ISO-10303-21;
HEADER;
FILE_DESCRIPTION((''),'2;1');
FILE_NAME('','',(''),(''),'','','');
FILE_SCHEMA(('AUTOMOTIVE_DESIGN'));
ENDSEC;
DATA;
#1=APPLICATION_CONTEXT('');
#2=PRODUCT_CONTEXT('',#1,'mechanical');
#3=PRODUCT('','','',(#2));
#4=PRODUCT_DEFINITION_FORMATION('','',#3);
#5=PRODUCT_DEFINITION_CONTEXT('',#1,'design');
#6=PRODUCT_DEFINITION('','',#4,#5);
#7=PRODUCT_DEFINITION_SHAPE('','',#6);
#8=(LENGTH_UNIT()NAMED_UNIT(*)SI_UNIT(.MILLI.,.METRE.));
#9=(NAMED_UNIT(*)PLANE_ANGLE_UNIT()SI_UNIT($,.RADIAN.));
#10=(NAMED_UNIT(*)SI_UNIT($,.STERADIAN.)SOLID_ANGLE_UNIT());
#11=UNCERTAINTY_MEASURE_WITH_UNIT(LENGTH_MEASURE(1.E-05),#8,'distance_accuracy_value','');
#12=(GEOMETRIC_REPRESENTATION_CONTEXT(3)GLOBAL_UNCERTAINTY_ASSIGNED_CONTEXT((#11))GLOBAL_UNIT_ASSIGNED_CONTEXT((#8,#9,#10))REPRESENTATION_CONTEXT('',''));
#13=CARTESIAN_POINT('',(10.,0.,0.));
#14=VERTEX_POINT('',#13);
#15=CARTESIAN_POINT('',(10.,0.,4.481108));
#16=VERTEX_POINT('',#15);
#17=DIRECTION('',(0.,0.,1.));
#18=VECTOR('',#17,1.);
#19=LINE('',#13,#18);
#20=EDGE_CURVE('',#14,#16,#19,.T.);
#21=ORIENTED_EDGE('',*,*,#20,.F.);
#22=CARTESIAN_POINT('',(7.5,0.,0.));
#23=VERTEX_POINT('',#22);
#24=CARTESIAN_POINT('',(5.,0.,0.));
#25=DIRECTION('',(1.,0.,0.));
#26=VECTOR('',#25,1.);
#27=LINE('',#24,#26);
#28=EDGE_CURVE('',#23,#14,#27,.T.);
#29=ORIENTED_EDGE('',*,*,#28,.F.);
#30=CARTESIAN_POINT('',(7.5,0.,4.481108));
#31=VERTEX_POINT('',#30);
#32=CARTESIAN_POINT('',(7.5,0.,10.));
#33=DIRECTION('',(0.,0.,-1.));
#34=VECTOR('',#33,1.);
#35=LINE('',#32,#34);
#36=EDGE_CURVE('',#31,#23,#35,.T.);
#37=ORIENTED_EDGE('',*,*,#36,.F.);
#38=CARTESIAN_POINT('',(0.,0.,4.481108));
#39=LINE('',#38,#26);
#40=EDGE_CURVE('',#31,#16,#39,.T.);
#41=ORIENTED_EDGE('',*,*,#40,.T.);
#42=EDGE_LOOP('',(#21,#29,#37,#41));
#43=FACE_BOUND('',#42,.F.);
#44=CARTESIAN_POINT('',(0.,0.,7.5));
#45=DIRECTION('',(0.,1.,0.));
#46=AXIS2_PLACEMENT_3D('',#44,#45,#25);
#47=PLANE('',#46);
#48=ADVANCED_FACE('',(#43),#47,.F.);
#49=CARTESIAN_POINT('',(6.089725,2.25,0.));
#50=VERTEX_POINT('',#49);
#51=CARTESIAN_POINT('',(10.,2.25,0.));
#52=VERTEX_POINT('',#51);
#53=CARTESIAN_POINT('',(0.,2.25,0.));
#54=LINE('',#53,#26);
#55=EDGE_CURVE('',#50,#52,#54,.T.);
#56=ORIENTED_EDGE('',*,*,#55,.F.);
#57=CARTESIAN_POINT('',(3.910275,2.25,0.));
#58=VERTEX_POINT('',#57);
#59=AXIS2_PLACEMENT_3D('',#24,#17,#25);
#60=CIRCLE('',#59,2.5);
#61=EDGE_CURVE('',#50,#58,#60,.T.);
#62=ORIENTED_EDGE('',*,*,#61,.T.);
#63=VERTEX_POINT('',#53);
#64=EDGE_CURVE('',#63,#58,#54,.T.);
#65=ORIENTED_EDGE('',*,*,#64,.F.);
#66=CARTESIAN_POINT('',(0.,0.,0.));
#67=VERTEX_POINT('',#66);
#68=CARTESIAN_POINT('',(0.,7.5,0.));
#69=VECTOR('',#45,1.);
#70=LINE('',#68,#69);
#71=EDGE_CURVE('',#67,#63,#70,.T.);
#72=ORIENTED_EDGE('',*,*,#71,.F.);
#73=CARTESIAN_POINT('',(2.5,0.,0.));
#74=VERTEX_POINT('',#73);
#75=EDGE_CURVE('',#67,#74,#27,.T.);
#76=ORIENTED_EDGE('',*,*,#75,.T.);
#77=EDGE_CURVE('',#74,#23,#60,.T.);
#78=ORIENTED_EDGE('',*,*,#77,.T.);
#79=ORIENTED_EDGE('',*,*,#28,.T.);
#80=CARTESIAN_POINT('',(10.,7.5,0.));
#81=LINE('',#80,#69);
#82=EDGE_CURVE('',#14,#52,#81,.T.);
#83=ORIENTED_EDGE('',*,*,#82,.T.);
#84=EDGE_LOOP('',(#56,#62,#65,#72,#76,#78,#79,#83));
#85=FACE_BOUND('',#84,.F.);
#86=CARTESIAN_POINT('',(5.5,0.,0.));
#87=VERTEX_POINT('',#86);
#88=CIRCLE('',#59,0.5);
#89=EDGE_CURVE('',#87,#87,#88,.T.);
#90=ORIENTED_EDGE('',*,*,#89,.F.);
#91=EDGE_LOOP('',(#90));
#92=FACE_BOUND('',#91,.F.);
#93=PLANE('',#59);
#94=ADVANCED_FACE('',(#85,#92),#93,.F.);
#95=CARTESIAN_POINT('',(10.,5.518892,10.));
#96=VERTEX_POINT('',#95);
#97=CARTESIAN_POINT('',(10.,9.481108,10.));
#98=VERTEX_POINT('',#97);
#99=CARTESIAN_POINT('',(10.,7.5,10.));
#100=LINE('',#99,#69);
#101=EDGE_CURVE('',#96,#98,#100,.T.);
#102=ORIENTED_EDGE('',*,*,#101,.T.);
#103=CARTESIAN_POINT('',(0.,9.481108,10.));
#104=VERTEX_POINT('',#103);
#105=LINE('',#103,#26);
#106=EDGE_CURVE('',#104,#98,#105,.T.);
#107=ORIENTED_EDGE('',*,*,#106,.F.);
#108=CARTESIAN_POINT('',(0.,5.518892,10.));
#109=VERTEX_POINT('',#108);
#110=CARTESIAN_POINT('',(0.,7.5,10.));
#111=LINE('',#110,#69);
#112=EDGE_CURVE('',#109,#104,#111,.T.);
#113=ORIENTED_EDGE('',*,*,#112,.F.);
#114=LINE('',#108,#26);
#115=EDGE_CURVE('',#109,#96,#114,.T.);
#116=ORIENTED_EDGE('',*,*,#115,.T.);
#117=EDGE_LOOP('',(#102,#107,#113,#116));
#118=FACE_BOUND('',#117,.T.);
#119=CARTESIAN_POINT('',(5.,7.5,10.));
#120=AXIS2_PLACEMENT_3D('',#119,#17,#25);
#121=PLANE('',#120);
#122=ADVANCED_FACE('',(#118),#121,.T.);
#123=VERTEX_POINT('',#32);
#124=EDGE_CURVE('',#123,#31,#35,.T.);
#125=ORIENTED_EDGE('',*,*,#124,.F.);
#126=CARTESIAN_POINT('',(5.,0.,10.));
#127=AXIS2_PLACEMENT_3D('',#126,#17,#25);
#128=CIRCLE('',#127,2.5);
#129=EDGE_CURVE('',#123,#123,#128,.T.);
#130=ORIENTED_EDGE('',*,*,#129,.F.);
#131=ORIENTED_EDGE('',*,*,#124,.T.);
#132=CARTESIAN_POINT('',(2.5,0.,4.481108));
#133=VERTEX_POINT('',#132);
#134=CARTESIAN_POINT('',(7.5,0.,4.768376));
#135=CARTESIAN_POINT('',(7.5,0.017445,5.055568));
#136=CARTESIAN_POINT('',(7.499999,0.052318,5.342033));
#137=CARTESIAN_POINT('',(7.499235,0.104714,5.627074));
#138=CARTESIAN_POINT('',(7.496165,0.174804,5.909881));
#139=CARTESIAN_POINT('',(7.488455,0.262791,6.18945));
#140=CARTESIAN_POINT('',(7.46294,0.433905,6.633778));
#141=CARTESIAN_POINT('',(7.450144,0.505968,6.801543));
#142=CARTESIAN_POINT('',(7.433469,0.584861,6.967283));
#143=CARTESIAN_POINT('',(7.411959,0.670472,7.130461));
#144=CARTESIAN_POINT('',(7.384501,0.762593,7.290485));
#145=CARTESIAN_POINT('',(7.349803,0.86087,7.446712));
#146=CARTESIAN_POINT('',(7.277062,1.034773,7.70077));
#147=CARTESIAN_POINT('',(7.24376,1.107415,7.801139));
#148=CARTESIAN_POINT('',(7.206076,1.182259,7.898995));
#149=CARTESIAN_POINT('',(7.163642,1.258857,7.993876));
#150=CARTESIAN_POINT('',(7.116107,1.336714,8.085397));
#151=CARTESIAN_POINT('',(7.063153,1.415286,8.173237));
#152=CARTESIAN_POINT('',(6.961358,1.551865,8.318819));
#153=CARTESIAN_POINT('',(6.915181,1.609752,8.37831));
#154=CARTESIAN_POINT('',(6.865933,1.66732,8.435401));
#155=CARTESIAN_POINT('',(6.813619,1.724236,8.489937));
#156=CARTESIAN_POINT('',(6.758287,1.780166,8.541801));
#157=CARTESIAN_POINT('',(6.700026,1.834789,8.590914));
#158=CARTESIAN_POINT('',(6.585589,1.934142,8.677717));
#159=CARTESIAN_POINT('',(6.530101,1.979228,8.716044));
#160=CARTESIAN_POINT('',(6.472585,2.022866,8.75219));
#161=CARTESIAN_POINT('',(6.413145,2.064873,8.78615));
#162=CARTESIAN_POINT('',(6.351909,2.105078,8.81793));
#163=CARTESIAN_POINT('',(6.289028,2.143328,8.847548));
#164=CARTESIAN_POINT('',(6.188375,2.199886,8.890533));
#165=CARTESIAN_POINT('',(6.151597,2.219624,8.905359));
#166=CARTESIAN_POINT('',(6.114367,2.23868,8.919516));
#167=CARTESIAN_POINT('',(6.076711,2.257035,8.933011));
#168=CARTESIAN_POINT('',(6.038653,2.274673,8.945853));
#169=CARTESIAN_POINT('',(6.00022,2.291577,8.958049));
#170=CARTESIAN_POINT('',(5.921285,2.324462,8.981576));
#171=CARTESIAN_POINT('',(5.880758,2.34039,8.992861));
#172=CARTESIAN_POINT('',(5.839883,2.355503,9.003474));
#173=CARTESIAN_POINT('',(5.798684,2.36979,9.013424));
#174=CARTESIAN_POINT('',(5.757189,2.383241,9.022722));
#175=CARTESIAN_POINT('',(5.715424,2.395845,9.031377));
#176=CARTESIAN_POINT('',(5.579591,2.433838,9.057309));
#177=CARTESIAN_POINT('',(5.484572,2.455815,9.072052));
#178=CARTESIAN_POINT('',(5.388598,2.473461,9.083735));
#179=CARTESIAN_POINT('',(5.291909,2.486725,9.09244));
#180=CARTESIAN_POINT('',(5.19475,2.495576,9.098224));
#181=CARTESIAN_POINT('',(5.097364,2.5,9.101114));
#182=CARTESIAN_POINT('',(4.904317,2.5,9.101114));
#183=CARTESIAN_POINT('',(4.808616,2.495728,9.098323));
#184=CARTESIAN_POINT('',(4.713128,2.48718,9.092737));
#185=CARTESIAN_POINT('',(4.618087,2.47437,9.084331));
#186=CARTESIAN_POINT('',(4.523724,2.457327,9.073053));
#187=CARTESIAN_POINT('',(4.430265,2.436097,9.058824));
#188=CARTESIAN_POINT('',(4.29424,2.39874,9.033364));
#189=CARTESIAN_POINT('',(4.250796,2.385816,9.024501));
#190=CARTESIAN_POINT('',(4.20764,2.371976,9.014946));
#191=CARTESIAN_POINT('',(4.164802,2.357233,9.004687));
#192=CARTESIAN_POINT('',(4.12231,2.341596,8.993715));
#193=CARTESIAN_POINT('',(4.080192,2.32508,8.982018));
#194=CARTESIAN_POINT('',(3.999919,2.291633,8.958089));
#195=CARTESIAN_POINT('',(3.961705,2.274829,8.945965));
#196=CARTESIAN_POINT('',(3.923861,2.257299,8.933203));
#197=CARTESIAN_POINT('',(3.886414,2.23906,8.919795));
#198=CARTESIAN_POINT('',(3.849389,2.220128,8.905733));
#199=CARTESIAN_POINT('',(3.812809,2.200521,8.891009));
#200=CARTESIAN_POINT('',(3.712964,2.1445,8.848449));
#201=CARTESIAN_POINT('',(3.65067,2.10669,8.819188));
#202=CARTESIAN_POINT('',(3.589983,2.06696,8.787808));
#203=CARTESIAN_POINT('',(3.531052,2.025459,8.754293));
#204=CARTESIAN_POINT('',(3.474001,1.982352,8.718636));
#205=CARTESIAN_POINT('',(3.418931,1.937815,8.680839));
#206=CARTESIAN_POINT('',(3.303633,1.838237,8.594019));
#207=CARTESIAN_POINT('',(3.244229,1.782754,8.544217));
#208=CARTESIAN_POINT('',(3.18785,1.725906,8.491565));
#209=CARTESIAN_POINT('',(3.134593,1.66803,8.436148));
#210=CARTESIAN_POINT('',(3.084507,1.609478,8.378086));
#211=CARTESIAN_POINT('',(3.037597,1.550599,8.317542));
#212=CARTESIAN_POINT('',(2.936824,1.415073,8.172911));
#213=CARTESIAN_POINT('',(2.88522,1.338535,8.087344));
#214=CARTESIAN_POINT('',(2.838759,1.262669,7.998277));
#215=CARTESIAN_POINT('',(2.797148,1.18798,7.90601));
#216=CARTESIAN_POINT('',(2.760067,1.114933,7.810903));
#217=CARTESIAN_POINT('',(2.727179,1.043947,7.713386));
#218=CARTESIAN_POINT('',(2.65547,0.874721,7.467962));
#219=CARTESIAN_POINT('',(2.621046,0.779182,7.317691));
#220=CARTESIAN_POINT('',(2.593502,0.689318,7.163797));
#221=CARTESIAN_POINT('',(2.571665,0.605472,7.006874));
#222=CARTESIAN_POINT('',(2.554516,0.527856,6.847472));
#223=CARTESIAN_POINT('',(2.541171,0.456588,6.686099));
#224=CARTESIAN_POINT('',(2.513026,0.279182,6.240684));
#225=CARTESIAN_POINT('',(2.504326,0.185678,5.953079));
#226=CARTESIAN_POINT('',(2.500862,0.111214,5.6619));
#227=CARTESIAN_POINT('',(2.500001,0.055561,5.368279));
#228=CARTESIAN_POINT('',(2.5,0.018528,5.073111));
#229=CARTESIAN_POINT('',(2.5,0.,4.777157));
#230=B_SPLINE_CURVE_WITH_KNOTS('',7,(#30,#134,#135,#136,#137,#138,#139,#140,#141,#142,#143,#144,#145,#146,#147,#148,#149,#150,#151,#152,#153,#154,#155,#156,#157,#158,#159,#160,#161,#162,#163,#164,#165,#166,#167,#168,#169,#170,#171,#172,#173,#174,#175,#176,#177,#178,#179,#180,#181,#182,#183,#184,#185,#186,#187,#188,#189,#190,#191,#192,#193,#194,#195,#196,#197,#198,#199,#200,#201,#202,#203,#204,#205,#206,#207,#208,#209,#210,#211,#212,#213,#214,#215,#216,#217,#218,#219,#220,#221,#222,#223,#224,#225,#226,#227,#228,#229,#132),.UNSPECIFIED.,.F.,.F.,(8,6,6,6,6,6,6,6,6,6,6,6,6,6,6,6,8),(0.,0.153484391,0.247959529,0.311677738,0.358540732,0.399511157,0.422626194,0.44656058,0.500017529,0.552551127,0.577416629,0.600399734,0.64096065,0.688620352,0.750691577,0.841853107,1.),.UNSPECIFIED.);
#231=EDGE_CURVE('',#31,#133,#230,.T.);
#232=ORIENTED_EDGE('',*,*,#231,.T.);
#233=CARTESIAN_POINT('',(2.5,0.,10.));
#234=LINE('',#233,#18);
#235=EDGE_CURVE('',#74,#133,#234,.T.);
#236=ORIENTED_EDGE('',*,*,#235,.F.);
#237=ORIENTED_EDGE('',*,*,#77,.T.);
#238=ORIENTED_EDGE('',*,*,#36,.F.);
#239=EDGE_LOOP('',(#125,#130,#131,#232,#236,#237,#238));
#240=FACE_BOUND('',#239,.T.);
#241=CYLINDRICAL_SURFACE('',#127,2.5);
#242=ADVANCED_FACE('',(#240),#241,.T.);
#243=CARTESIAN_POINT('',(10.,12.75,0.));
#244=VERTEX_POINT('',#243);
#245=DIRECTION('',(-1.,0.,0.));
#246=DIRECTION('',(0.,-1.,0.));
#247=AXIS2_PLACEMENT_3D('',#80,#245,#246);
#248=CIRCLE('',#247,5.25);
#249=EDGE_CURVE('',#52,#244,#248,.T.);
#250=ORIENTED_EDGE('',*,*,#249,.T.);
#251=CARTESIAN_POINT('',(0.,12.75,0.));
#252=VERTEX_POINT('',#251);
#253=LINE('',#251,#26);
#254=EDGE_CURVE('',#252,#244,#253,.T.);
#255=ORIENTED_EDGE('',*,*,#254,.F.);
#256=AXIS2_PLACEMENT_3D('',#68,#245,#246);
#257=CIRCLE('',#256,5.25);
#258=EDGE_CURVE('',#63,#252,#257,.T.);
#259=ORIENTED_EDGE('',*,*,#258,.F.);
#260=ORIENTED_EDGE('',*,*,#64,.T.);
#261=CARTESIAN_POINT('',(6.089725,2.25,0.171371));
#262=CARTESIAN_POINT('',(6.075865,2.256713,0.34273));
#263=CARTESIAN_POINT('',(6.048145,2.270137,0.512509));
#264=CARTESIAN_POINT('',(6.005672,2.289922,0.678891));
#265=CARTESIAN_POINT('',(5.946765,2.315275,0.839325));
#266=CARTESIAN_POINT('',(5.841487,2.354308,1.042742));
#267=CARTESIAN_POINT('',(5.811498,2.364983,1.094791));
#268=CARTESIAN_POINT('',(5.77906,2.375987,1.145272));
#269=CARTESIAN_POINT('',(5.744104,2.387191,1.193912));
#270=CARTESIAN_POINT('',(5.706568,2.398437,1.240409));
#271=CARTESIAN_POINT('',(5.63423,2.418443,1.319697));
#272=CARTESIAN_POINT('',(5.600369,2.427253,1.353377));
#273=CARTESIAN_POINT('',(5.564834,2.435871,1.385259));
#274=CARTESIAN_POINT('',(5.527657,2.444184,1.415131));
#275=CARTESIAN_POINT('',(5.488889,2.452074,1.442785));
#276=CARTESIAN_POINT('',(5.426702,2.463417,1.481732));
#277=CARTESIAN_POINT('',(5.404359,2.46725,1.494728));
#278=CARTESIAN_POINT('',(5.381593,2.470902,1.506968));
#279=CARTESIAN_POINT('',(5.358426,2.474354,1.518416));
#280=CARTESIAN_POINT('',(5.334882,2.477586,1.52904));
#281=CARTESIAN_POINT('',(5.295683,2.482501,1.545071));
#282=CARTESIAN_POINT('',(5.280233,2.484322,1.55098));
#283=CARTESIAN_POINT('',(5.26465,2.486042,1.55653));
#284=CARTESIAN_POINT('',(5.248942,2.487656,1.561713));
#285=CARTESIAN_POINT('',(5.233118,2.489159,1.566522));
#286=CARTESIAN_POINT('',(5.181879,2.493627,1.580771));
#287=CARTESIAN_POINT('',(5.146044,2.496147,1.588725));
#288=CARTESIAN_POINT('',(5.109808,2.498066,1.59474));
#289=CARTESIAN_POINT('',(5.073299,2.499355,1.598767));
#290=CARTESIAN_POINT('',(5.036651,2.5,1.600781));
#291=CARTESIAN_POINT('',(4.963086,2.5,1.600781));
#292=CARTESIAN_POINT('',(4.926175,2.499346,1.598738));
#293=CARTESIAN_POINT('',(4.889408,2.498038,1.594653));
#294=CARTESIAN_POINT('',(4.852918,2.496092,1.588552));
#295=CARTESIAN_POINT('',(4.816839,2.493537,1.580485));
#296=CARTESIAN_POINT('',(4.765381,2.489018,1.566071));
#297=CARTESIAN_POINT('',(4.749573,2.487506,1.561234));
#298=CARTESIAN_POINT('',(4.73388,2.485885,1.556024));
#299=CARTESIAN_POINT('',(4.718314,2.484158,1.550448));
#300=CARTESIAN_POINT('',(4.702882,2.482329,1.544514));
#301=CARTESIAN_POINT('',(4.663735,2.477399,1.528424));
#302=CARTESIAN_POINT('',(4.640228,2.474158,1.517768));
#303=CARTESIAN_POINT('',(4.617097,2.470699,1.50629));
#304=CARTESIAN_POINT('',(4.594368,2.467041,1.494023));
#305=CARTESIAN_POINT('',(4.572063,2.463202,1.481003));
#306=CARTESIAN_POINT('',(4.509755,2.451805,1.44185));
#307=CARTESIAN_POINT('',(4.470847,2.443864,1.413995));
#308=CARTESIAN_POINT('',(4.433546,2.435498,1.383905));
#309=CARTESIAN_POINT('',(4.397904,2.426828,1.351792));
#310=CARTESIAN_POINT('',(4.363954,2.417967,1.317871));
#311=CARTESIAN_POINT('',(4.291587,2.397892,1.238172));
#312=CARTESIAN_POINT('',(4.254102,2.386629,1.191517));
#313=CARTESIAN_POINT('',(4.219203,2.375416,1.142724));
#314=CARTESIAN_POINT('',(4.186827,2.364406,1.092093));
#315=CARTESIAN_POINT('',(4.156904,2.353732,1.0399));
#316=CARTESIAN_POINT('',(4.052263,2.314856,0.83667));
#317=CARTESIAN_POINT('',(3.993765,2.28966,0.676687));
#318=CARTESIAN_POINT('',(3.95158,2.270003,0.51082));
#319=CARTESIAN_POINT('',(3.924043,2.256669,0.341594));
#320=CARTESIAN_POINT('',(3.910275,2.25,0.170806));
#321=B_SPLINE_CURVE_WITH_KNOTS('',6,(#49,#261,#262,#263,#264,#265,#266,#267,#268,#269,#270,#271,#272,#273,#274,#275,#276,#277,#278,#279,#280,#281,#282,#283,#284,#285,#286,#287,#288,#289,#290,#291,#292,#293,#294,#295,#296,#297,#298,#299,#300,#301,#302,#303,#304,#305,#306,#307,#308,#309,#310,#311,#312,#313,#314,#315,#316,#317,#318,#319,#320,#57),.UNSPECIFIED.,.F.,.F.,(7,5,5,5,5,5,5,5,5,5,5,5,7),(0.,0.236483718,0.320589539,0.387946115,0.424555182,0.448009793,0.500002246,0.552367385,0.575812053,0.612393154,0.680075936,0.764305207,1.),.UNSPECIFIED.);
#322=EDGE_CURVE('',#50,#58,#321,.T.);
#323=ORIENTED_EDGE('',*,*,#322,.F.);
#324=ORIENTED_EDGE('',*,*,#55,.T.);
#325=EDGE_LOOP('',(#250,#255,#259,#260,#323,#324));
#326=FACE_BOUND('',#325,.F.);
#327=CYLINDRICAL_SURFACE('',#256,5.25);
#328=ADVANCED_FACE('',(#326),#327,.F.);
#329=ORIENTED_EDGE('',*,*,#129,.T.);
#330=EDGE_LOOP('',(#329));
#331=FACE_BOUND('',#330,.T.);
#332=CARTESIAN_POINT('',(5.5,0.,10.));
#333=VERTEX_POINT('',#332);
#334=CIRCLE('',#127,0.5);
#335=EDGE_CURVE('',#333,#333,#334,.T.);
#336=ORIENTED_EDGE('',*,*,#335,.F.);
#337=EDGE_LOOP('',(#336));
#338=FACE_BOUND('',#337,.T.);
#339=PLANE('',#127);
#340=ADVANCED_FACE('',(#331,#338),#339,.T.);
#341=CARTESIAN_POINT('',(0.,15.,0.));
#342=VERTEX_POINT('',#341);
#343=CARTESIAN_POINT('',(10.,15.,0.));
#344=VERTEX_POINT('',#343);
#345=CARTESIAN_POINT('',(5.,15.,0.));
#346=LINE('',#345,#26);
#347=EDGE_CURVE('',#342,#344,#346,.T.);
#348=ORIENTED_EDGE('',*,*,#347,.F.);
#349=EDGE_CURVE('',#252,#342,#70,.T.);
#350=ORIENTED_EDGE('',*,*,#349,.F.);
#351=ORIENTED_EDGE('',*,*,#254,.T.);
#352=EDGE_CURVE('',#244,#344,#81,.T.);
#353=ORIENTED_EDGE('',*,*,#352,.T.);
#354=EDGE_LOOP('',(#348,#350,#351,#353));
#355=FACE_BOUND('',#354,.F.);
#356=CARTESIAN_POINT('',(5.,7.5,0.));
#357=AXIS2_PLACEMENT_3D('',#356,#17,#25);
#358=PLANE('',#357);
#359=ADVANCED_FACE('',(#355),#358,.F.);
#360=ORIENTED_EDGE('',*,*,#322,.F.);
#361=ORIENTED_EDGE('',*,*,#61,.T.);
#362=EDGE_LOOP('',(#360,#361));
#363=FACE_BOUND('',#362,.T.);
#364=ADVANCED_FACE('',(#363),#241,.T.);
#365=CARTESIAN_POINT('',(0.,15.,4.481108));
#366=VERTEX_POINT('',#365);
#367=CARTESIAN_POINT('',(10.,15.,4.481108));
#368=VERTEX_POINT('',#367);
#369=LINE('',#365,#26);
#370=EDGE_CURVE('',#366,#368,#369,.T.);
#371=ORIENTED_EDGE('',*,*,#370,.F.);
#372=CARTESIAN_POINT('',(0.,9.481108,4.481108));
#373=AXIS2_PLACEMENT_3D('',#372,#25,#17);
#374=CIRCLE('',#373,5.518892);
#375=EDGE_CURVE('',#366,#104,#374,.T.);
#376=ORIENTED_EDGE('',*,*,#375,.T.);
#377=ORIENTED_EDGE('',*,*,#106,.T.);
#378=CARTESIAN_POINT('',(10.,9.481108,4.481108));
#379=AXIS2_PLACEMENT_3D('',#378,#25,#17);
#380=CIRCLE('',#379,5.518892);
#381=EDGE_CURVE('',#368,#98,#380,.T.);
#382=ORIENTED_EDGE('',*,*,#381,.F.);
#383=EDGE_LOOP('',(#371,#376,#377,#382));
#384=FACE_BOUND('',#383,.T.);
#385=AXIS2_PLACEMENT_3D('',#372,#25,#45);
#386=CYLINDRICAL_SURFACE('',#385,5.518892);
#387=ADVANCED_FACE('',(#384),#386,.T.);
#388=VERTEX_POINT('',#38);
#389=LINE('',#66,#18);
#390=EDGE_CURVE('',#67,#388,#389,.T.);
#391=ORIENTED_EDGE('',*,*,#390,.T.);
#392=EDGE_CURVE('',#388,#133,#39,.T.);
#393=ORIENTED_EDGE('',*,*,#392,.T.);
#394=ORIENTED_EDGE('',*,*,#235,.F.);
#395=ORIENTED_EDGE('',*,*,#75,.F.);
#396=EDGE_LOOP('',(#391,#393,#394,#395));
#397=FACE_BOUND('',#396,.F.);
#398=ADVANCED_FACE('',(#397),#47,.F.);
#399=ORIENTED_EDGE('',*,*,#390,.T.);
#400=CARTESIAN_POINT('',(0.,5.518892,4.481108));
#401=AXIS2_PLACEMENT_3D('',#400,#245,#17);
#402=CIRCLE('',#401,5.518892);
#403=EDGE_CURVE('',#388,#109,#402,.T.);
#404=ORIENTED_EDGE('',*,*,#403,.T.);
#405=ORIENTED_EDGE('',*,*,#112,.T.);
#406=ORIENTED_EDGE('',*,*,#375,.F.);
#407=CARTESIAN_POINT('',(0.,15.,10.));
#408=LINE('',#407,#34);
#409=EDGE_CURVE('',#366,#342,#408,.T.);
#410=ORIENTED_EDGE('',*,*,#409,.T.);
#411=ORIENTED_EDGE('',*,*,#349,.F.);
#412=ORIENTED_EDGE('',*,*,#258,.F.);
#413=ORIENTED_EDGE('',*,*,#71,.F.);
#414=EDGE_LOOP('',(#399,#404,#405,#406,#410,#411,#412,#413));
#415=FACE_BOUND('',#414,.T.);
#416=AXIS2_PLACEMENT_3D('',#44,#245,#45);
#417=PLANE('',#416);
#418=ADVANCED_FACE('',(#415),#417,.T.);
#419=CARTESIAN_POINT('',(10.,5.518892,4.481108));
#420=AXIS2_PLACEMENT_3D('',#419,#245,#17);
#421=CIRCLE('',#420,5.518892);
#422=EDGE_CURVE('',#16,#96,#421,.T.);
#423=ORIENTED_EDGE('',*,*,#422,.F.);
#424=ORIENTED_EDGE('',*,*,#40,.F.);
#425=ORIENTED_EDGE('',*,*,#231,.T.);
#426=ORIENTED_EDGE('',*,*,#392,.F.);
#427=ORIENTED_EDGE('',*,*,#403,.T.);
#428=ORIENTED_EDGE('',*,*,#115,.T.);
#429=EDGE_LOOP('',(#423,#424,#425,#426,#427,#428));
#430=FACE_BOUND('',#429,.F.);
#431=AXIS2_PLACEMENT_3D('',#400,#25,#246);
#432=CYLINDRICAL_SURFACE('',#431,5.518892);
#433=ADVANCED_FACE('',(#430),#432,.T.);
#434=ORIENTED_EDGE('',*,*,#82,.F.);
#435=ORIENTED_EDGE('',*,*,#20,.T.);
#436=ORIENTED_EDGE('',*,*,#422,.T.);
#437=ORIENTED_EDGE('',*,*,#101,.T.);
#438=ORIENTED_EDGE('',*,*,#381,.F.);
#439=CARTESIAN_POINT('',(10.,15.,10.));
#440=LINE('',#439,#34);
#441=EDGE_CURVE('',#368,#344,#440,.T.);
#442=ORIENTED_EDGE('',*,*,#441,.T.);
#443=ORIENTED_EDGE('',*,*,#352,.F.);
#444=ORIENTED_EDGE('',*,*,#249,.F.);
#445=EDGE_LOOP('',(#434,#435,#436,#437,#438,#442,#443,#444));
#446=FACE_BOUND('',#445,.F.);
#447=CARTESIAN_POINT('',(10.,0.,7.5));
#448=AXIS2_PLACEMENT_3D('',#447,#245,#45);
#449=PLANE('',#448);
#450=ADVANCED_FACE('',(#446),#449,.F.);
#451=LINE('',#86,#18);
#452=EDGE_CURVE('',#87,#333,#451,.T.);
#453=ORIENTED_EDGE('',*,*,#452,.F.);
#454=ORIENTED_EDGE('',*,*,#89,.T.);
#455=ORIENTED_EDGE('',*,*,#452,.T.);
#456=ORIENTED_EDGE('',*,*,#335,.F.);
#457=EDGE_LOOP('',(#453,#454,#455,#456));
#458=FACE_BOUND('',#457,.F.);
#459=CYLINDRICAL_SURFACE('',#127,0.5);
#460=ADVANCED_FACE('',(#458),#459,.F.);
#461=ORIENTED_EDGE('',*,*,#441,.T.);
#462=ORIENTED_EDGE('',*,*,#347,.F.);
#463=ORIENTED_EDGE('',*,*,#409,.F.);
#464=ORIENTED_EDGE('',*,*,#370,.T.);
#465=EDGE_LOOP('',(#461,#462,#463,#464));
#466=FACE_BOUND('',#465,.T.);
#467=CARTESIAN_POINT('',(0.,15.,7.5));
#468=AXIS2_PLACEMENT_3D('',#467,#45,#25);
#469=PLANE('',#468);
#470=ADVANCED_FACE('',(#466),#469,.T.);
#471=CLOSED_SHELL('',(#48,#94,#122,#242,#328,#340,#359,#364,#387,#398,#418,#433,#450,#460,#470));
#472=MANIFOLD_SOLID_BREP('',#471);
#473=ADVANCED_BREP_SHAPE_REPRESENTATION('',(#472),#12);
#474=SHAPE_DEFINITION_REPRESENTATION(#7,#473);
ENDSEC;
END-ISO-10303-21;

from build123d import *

# Parameters (mm, degrees)
F0_W     = 10
F0_H     = 15
F1_DEPTH = 7.5
F3_DEPTH = 10.001
F4_W     = 10
F4_H     = 15
F5_DEPTH = 2.5
F6_R     = 5.518892
F7_R     = 0.5
F8_DEPTH = 10.001
F7_R_2   = 2.5
F9_DEPTH = 10


with BuildPart() as f1:
    # F0 (on Top) → F1 (new body)
    with BuildSketch(Plane.XY):
        with Locations((5, 7.5)):
            Rectangle(F0_W, F0_H)
    extrude(amount=F1_DEPTH)

    # F2 (on face) → F3 (cut, through all)
    with BuildSketch(Plane(origin=(0, 0, 0), x_dir=(0, -1, 0), z_dir=(-1, 0, 0))):
        with BuildLine():
            Line((-12.75, 0), (-2.25, 0))
            ThreePointArc((-2.25, 0), (-7.5, 5.25), (-12.75, 0))
        make_face()
    extrude(amount=-F3_DEPTH, mode=Mode.SUBTRACT)

    # F4 (on face) → F5 (join)
    with BuildSketch(Plane.XY.offset(7.5)):
        with Locations((5, 7.5)):
            Rectangle(F4_W, F4_H)
    extrude(amount=F5_DEPTH)

    # F6
    f6_edges = [f1.edges().sort_by_distance(p)[0] for p in [
        (5, 15, 10),
        (5, 0, 10),
    ]]
    fillet(f6_edges, radius=F6_R)

    # F7 (on face) → F8 (cut, through all)
    with BuildSketch(Plane.XY.offset(10)):
        with Locations((5, 0)):
            Circle(F7_R)
    extrude(amount=-F8_DEPTH, mode=Mode.SUBTRACT)

    # F7 (on face) → F9 (join)
    with BuildSketch(Plane.XY.offset(10)):
        with Locations((5, 0)):
            Circle(F7_R_2)
        with Locations((5, 0)):
            Circle(F7_R, mode=Mode.SUBTRACT)
    extrude(amount=-F9_DEPTH)


solid = f1.part
